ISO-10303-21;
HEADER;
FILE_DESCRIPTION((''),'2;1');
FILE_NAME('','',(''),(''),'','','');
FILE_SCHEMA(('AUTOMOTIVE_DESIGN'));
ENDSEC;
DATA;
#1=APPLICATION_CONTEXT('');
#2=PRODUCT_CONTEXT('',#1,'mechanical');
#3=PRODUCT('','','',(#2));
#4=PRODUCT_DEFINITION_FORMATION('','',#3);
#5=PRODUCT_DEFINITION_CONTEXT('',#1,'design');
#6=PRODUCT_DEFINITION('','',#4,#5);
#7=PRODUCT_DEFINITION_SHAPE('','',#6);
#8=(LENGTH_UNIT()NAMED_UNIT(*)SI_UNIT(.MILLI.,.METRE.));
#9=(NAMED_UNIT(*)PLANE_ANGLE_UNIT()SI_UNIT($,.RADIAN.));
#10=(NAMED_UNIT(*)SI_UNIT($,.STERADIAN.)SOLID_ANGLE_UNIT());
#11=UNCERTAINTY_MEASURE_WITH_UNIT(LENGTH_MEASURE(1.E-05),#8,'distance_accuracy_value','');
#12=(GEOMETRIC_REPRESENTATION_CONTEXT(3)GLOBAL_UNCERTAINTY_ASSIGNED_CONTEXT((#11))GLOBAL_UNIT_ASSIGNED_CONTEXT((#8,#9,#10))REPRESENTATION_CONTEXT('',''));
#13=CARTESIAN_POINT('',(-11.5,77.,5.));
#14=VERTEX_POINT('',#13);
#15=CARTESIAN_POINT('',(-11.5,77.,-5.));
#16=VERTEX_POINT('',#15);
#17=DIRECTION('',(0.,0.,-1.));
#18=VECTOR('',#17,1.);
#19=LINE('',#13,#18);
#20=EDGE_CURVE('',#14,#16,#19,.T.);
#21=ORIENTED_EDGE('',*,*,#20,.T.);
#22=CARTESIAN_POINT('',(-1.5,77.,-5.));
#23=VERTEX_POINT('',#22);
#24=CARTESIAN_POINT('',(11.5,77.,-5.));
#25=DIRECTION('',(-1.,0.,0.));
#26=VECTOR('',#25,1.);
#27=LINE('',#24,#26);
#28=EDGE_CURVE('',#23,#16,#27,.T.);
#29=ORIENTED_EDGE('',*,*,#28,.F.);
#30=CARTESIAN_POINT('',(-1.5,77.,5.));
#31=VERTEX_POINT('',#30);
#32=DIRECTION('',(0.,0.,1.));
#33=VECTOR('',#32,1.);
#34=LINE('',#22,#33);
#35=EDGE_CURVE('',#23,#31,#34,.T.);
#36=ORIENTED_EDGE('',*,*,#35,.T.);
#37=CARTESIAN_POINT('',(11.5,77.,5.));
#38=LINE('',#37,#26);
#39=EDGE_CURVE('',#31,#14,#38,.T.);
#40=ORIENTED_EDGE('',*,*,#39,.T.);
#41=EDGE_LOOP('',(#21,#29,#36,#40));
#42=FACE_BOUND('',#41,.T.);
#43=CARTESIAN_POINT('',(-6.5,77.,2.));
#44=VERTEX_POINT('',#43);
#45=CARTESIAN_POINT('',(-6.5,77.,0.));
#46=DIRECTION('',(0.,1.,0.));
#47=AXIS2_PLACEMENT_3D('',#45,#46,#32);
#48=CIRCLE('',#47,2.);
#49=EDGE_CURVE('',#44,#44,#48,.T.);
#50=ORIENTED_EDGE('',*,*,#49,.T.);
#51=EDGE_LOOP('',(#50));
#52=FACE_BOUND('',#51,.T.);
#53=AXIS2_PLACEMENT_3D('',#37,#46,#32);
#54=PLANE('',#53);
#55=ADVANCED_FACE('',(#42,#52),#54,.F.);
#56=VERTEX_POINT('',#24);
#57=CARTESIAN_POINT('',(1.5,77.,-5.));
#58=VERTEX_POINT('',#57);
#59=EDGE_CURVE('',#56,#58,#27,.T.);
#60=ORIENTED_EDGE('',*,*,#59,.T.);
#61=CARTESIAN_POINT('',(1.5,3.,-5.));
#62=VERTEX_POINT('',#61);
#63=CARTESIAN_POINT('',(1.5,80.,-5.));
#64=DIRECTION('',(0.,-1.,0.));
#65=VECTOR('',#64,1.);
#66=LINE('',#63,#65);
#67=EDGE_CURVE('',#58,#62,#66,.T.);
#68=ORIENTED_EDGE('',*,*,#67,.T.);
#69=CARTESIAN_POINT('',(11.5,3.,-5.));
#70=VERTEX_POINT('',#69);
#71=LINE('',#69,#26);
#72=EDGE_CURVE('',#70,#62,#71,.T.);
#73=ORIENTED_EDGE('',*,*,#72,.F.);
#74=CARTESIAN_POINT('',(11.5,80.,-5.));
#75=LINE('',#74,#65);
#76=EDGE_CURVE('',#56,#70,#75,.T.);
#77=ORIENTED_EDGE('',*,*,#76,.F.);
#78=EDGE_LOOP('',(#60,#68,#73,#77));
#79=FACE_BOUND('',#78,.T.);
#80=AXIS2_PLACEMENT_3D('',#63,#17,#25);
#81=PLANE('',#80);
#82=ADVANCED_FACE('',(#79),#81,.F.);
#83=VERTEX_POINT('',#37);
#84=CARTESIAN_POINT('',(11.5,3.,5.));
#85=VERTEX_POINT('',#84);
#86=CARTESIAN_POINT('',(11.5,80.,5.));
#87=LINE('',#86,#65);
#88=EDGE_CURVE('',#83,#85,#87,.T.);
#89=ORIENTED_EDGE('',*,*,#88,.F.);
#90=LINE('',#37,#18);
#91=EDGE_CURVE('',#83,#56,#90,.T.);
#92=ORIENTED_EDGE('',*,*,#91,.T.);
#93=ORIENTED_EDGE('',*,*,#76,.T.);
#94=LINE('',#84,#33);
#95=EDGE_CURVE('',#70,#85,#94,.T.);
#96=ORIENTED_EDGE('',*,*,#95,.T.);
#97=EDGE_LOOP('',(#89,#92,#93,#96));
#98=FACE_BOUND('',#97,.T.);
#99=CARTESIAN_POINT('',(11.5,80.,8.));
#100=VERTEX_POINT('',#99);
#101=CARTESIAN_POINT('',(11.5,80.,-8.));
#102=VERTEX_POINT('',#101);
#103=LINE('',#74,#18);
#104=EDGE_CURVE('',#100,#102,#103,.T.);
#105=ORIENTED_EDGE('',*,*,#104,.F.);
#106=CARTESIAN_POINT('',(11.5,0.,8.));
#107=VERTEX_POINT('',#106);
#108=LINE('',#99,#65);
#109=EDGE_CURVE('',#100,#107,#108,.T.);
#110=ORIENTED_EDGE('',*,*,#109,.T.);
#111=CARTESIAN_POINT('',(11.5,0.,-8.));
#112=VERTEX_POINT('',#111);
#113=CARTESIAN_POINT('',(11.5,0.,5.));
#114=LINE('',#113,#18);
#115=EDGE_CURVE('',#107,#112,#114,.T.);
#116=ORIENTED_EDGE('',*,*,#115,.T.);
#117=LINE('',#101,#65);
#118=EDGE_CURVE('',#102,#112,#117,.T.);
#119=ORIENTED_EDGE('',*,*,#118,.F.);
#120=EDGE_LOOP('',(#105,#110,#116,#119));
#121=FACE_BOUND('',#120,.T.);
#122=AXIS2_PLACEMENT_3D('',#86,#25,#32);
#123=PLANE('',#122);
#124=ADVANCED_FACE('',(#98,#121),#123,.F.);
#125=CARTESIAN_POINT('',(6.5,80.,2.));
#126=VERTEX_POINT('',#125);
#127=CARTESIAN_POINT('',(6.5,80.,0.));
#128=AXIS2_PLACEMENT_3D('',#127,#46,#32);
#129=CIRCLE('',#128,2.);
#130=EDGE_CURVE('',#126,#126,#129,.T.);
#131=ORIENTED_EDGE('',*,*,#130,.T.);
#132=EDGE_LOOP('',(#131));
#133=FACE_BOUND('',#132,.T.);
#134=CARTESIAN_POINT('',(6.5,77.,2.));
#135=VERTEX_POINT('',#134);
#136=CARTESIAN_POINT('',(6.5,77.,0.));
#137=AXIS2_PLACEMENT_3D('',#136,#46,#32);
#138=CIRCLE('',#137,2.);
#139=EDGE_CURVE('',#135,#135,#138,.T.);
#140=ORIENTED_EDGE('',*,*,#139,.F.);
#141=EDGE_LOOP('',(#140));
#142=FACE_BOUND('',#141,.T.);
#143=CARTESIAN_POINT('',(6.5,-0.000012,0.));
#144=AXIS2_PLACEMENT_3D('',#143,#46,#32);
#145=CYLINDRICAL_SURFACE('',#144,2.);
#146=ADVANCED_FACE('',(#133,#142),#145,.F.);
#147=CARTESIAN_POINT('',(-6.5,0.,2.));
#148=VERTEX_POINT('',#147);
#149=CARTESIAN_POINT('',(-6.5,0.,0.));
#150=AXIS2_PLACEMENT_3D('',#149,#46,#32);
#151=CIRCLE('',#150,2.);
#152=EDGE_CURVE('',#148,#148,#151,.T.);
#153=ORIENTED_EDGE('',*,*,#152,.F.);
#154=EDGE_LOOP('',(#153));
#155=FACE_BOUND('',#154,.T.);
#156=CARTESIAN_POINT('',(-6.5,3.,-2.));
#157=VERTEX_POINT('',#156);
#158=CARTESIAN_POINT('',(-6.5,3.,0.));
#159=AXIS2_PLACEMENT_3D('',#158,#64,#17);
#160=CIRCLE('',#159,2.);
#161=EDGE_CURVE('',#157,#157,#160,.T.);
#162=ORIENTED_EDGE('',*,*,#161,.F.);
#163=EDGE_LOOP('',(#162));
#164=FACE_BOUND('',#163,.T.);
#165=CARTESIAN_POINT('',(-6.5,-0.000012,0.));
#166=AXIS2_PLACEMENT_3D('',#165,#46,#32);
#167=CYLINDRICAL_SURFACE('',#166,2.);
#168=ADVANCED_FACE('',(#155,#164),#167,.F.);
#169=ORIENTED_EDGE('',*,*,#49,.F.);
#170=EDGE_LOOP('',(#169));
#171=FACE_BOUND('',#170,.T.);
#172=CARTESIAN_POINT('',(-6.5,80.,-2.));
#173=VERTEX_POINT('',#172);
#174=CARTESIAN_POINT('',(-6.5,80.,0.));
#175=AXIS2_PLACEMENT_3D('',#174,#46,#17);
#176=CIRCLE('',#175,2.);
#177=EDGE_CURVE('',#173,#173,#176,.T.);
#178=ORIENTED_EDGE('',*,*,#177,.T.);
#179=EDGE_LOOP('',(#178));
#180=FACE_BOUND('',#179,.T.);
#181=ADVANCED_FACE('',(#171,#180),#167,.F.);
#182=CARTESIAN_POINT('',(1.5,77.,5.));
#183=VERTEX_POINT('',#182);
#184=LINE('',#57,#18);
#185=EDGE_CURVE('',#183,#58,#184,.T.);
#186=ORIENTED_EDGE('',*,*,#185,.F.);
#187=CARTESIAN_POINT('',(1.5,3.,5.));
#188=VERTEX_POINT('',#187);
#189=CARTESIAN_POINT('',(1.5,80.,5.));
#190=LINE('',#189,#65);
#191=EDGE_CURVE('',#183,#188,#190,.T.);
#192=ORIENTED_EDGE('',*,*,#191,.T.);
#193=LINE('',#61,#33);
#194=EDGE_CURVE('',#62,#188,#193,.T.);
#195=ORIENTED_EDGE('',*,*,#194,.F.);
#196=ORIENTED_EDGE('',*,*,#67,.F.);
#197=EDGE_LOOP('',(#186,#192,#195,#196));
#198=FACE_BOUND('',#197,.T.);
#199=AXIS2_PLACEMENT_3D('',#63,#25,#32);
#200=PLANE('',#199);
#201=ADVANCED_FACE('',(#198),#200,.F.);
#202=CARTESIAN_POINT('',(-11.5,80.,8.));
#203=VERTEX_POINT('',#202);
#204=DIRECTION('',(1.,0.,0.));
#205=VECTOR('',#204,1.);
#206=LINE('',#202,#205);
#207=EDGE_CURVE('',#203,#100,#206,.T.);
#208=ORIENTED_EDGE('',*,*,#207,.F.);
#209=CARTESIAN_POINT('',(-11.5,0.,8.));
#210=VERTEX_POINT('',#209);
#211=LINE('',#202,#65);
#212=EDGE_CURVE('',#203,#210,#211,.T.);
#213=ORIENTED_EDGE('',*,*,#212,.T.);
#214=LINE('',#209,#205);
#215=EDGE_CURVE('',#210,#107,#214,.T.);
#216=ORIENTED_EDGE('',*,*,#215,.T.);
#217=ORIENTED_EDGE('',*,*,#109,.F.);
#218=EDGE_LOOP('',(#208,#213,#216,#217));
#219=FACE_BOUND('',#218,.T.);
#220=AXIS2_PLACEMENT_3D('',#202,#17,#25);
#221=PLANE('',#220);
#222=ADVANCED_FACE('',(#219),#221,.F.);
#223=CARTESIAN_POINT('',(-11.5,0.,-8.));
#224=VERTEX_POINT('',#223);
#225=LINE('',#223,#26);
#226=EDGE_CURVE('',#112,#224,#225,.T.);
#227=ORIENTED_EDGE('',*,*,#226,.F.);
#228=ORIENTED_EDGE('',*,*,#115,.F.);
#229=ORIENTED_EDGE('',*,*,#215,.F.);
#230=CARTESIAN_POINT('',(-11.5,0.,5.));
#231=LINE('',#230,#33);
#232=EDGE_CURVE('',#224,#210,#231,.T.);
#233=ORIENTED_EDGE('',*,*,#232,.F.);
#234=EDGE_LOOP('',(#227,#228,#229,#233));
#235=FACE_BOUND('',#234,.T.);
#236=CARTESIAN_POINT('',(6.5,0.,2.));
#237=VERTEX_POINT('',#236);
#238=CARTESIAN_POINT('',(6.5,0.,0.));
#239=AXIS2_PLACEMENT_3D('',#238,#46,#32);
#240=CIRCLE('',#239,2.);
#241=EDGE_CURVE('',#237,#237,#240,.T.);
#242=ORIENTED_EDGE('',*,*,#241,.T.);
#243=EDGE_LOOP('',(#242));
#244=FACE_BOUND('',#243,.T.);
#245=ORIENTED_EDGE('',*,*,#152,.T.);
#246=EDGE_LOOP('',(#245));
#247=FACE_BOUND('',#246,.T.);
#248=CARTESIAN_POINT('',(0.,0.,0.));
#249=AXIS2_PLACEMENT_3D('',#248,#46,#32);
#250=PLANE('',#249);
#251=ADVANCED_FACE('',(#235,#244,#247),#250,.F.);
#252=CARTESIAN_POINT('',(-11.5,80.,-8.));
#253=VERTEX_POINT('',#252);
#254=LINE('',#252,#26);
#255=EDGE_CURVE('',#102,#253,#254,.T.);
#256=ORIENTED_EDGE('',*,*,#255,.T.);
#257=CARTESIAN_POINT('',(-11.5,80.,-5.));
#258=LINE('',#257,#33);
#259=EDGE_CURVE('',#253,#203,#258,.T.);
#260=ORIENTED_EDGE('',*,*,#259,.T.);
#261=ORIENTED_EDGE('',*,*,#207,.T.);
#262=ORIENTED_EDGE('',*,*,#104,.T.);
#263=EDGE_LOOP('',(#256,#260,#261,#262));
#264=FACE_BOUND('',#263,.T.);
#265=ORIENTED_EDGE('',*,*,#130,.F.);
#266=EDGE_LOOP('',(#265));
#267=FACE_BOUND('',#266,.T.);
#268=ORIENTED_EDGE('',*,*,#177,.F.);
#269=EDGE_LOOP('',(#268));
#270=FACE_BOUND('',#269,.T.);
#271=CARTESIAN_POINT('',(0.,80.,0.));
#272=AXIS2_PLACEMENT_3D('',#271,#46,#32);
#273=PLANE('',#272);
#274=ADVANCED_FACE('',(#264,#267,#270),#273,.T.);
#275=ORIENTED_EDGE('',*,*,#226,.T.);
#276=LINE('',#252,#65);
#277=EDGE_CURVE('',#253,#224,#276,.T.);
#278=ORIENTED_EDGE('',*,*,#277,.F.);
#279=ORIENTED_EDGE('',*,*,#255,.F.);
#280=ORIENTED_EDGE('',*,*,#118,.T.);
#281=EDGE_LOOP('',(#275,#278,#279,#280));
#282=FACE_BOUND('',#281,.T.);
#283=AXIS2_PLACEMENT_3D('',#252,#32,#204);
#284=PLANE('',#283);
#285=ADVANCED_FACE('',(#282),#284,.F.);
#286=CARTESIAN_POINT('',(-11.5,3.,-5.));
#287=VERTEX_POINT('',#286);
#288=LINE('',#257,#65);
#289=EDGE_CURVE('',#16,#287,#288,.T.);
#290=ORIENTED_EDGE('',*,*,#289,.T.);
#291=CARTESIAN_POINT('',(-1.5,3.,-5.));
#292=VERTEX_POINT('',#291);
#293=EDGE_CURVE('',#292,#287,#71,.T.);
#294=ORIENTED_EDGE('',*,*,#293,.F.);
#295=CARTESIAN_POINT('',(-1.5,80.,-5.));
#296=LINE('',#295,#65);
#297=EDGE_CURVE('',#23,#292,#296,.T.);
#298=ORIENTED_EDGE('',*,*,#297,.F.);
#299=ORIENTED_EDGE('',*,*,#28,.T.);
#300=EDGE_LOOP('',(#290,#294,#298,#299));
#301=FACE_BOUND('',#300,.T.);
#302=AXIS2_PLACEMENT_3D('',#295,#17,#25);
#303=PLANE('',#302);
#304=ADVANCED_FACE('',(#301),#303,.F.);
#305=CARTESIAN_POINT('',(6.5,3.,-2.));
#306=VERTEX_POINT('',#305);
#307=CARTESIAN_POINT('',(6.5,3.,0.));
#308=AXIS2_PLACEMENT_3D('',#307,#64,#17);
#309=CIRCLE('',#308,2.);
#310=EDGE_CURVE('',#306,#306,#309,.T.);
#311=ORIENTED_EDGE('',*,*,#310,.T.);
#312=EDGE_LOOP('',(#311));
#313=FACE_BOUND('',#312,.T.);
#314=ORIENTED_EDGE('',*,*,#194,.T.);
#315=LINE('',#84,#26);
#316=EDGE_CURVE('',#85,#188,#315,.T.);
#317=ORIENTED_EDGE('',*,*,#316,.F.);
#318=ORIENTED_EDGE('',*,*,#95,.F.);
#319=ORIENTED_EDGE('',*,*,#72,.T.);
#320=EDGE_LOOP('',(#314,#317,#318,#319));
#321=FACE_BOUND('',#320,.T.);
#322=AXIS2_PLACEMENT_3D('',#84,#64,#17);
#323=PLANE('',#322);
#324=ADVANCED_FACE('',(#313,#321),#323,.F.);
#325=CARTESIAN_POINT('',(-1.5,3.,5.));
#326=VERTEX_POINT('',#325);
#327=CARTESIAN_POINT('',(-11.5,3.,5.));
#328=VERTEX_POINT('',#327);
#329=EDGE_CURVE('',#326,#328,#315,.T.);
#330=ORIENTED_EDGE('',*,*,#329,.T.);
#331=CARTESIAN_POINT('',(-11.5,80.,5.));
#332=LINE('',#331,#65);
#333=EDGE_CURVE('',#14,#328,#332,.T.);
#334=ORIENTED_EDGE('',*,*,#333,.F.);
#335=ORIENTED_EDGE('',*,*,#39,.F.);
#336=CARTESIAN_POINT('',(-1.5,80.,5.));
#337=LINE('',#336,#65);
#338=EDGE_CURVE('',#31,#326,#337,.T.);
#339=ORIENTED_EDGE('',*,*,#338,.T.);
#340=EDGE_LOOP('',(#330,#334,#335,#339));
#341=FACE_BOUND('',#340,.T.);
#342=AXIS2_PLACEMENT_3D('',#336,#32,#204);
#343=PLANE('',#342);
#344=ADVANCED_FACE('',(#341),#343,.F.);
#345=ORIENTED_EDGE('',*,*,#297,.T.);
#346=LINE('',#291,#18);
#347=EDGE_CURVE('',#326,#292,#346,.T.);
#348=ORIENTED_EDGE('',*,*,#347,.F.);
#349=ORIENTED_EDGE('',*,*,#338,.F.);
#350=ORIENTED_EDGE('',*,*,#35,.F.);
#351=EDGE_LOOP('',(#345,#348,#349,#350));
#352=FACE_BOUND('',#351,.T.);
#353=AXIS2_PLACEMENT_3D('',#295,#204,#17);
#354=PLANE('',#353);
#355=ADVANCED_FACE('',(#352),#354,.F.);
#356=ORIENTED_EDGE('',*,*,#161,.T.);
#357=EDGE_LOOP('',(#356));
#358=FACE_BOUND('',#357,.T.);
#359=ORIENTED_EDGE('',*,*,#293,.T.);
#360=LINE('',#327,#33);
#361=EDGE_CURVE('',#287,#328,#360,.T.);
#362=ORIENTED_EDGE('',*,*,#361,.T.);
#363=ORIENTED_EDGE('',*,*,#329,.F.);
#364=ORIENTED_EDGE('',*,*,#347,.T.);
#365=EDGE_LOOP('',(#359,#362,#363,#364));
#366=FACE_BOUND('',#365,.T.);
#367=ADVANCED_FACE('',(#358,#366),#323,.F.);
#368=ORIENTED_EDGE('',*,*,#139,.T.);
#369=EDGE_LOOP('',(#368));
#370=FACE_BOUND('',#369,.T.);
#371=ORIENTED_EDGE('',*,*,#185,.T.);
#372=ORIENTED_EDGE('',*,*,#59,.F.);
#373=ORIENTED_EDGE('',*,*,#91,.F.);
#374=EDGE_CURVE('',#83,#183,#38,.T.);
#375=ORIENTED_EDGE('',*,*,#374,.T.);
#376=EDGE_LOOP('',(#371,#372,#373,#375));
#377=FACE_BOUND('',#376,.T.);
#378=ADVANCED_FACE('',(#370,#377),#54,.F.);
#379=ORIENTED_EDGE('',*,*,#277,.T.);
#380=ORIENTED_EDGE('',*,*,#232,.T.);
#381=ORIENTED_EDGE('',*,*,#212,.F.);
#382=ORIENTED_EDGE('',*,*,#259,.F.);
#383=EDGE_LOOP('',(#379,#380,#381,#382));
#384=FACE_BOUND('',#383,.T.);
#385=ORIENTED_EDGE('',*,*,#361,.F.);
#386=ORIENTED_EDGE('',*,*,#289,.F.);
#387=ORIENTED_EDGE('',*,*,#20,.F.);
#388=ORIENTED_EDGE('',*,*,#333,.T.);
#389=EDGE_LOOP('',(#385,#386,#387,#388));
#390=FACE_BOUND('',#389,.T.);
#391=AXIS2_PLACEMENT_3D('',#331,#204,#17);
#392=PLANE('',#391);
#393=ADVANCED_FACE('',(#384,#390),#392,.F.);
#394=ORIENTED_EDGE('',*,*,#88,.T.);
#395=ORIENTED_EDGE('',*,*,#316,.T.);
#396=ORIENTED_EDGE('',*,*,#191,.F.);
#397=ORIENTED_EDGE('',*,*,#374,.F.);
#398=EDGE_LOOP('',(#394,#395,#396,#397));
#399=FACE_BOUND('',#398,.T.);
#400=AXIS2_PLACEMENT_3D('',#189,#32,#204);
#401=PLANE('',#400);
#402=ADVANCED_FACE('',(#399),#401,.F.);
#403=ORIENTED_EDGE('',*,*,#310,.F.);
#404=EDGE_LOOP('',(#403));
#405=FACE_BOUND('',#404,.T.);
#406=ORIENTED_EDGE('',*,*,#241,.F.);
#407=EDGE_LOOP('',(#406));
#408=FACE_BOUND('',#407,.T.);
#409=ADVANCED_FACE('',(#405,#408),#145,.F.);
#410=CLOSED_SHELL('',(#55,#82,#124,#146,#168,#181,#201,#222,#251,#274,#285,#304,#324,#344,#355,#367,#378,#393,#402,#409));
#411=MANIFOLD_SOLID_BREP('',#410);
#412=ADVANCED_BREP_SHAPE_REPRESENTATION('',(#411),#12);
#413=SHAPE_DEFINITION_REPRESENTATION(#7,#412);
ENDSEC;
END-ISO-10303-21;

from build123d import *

# Parameters (mm, degrees)
EXTRUDE_1_DEPTH          = 80
SKETCH_2_W               = 10
SKETCH_2_H               = 3
EXTRUDE_2_DEPTH          = 11.5
SKETCH_3_R               = 2
CUT_EXTRUDE_2_DEPTH      = 81
CUT_EXTRUDE_2_DEPTH_BACK = 1


with BuildPart() as part:
    # 草图1 → 凸台-拉伸1 (new body)
    with BuildSketch(Plane(origin=(0, 0, 0), x_dir=(1, 0, 0), z_dir=(0, 1, 0))):
        Polygon((11.5, 5), (11.5, 8), (-11.5, 8), (-11.5, 5), (-1.5, 5), (-1.5, -5), (-11.5, -5), (-11.5, -8), (11.5, -8), (11.5, -5), (1.5, -5), (1.5, 5), align=None)
    extrude(amount=EXTRUDE_1_DEPTH)

    # 草图2 → 凸台-拉伸2 (add, symmetric)
    with BuildSketch(Plane(origin=(0, 0, 0), x_dir=(0, 0, -1), z_dir=(1, 0, 0))):
        with Locations((0, 1.5)):
            Rectangle(SKETCH_2_W, SKETCH_2_H)
        with Locations((0, 78.5)):
            Rectangle(SKETCH_2_W, SKETCH_2_H)
    extrude(amount=EXTRUDE_2_DEPTH, both=True)

    # 草图3 → 切除-拉伸2 (cut, two sides)
    with BuildSketch(Plane(origin=(0, 0, 0), x_dir=(1, 0, 0), z_dir=(0, 1, 0))) as cut_extrude_2_sk:
        with Locations((6.5, 0)):
            Circle(SKETCH_3_R)
        with Locations((-6.5, 0)):
            Circle(SKETCH_3_R)
    extrude(amount=CUT_EXTRUDE_2_DEPTH, mode=Mode.SUBTRACT)
    extrude(cut_extrude_2_sk.sketch, amount=-CUT_EXTRUDE_2_DEPTH_BACK, mode=Mode.SUBTRACT)


solid = part.part
